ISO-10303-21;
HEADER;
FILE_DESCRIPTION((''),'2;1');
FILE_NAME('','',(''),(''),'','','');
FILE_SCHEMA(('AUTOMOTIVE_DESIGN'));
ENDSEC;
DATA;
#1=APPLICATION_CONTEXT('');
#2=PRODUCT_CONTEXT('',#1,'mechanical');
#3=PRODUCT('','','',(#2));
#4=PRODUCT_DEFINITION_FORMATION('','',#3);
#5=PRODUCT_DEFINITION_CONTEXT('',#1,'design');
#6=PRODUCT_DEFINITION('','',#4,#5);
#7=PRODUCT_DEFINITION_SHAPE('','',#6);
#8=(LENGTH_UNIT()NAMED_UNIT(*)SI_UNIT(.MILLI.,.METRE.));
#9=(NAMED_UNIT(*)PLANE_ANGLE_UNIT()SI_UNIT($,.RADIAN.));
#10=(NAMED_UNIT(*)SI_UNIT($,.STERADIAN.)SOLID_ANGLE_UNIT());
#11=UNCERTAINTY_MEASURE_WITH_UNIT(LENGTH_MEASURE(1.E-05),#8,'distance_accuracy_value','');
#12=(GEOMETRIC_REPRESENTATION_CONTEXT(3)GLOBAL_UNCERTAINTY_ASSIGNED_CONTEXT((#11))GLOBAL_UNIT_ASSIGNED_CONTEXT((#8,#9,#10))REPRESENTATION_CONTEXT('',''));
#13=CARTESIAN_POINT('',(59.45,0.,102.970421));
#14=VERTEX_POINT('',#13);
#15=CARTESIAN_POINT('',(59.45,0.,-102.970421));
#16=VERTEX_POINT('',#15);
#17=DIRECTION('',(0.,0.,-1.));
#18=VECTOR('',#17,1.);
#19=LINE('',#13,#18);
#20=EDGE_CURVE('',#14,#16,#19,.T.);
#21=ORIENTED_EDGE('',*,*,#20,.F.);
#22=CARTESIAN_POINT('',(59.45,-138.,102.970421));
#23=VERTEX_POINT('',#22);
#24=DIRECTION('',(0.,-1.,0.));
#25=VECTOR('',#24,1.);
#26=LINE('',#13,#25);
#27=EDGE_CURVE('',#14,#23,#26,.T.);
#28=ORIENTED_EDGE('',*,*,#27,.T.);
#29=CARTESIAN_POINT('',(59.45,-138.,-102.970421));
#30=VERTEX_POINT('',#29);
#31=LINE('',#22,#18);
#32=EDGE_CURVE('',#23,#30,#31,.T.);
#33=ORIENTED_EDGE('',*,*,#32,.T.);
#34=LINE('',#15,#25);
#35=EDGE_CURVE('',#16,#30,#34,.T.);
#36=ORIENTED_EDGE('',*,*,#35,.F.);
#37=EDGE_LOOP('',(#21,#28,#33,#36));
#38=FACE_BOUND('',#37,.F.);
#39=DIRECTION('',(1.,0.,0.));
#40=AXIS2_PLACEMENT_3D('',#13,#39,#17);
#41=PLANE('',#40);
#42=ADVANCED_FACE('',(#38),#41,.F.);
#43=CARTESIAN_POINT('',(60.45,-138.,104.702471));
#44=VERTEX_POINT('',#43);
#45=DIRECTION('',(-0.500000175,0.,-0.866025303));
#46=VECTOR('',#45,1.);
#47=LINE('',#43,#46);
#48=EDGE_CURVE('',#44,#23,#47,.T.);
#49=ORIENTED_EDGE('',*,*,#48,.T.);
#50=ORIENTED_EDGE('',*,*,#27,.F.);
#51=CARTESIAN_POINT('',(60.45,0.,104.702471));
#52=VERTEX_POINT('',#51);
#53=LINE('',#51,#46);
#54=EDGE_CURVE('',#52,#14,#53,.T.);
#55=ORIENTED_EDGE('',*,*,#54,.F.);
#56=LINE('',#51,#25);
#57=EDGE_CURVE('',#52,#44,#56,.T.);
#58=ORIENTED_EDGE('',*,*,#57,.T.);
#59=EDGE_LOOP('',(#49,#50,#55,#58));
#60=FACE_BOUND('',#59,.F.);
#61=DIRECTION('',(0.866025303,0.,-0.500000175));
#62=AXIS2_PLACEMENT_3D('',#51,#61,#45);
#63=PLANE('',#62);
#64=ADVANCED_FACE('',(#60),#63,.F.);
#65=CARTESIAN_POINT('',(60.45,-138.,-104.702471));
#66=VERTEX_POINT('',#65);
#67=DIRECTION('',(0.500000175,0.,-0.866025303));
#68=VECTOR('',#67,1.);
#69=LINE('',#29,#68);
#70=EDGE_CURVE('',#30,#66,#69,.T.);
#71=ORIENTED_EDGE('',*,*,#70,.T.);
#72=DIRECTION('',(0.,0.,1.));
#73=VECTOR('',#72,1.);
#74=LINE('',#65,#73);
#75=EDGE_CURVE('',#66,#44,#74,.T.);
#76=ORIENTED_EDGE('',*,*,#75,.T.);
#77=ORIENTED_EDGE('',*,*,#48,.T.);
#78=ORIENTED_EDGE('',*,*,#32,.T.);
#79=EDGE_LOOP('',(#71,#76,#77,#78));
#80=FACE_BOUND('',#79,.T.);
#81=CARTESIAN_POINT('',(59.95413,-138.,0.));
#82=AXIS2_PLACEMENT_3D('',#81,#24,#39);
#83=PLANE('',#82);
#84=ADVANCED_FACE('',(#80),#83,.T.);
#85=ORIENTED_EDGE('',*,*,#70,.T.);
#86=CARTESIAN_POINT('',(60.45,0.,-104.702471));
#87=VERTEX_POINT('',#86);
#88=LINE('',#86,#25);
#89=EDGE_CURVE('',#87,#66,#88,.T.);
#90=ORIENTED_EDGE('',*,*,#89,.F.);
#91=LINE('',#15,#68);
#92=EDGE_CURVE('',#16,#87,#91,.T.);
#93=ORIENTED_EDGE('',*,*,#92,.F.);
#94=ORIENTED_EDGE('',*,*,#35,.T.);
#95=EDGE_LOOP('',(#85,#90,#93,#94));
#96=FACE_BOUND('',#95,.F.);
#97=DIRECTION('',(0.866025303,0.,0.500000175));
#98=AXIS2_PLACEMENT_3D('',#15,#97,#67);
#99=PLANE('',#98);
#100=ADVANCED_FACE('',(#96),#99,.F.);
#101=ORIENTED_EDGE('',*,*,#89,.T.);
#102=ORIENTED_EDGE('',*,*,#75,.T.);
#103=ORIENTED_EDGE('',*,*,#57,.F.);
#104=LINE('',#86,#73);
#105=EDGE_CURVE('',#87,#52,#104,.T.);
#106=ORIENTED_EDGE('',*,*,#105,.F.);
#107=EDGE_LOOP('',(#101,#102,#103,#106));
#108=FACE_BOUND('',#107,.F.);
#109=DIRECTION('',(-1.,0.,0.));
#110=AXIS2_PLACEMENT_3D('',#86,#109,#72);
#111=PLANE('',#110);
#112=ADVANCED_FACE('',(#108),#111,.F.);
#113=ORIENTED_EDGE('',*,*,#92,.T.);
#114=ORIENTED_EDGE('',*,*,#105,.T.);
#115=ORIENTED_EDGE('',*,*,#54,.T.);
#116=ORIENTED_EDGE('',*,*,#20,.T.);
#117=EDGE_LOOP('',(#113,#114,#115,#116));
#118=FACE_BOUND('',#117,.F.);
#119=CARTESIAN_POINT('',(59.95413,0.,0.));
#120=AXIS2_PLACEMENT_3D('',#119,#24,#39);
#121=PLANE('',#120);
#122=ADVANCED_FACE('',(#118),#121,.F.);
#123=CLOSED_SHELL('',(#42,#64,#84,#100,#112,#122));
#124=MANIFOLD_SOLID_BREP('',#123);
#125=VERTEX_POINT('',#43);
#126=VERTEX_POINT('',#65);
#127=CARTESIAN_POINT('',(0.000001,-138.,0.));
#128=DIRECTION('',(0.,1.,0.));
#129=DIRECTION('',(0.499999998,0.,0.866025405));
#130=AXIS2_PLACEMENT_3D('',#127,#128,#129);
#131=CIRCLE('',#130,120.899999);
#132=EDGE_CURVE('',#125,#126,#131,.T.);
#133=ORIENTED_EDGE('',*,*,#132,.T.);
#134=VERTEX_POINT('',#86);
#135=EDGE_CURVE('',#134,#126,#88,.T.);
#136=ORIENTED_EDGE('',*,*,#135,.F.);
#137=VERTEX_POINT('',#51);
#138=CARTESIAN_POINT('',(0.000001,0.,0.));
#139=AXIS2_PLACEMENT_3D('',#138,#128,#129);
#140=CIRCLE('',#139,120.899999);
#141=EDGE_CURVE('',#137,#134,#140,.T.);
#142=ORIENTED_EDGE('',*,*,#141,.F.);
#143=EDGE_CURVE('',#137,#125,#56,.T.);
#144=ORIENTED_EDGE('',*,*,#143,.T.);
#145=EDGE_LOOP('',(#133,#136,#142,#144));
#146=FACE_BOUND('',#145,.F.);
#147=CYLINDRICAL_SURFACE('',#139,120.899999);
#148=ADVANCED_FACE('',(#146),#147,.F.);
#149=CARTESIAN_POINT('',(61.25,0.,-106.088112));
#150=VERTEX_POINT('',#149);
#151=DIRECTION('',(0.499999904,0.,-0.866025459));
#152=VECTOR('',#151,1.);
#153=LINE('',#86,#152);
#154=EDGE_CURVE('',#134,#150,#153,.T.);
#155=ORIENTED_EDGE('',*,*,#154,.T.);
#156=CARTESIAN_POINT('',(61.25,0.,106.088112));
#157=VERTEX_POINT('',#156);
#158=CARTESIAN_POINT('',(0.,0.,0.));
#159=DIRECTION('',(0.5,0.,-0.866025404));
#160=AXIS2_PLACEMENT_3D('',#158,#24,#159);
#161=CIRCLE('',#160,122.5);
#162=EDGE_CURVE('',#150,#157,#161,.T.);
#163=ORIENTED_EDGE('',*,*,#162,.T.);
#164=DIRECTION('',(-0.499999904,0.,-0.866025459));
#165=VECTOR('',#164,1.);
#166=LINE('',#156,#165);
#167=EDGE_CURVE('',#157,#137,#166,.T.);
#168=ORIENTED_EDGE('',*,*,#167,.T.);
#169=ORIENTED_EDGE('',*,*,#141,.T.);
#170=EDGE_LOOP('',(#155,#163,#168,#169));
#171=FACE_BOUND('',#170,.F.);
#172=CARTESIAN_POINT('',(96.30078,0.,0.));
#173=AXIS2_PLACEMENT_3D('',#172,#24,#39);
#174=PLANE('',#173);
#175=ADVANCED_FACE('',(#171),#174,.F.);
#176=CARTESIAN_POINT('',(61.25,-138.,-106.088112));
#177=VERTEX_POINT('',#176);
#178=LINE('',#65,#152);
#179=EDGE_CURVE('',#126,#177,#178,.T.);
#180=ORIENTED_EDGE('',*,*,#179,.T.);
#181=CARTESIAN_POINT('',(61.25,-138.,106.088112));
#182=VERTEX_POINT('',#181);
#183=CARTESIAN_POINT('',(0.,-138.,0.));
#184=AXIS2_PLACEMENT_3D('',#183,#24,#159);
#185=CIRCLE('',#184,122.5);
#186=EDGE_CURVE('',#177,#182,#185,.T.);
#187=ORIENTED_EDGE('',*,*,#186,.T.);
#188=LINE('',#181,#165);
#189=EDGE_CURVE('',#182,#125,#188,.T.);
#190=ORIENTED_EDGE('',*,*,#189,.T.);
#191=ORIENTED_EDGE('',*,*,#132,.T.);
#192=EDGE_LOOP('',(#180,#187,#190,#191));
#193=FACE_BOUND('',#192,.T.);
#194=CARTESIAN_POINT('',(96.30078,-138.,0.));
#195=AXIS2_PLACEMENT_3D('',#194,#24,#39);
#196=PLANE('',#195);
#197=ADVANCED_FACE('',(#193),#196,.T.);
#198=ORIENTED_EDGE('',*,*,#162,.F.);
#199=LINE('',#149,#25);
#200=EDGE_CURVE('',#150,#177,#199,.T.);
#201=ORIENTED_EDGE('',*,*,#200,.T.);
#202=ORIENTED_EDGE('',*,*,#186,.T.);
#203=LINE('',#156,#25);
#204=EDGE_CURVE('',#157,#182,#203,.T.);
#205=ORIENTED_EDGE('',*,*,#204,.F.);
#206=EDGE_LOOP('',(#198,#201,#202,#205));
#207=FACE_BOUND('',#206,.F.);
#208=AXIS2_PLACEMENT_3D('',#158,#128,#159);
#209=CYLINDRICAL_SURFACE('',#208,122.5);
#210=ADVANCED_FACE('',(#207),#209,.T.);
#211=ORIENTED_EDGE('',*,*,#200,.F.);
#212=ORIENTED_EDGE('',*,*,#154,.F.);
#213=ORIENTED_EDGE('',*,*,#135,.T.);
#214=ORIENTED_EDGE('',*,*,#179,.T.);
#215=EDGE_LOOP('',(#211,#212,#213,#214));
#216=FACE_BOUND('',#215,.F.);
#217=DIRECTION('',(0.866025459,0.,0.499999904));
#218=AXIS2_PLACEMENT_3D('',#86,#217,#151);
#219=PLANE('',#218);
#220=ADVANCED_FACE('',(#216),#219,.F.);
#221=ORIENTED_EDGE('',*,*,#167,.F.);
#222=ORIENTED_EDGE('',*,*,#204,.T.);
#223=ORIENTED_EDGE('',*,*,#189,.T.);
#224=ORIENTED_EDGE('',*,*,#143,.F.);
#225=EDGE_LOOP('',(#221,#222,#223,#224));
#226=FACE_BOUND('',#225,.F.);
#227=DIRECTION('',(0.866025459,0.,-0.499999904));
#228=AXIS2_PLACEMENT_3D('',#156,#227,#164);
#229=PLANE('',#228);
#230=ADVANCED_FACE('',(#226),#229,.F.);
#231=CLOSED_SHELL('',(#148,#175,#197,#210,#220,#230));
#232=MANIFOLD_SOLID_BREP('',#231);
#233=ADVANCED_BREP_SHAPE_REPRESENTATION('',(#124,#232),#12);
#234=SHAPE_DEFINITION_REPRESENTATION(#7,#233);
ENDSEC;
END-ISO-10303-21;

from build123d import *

# Parameters (mm, degrees)
F1_DEPTH = 138


with BuildPart() as f1:
    # F0 (on Front) → F1 (new body)
    with BuildSketch(Plane.XZ):
        with BuildLine():
            ThreePointArc((60.45, 104.702471), (120.9, 0), (60.45, -104.702471))
            Line((60.45, -104.702471), (61.25, -106.088112))
            ThreePointArc((61.25, -106.088112), (122.5, 0), (61.25, 106.088112))
            Line((61.25, 106.088112), (60.45, 104.702471))
        make_face()
        Polygon((59.45, -102.970421), (60.45, -104.702471), (60.45, 104.702471), (59.45, 102.970421), align=None)
    extrude(amount=F1_DEPTH)


solid = f1.part
